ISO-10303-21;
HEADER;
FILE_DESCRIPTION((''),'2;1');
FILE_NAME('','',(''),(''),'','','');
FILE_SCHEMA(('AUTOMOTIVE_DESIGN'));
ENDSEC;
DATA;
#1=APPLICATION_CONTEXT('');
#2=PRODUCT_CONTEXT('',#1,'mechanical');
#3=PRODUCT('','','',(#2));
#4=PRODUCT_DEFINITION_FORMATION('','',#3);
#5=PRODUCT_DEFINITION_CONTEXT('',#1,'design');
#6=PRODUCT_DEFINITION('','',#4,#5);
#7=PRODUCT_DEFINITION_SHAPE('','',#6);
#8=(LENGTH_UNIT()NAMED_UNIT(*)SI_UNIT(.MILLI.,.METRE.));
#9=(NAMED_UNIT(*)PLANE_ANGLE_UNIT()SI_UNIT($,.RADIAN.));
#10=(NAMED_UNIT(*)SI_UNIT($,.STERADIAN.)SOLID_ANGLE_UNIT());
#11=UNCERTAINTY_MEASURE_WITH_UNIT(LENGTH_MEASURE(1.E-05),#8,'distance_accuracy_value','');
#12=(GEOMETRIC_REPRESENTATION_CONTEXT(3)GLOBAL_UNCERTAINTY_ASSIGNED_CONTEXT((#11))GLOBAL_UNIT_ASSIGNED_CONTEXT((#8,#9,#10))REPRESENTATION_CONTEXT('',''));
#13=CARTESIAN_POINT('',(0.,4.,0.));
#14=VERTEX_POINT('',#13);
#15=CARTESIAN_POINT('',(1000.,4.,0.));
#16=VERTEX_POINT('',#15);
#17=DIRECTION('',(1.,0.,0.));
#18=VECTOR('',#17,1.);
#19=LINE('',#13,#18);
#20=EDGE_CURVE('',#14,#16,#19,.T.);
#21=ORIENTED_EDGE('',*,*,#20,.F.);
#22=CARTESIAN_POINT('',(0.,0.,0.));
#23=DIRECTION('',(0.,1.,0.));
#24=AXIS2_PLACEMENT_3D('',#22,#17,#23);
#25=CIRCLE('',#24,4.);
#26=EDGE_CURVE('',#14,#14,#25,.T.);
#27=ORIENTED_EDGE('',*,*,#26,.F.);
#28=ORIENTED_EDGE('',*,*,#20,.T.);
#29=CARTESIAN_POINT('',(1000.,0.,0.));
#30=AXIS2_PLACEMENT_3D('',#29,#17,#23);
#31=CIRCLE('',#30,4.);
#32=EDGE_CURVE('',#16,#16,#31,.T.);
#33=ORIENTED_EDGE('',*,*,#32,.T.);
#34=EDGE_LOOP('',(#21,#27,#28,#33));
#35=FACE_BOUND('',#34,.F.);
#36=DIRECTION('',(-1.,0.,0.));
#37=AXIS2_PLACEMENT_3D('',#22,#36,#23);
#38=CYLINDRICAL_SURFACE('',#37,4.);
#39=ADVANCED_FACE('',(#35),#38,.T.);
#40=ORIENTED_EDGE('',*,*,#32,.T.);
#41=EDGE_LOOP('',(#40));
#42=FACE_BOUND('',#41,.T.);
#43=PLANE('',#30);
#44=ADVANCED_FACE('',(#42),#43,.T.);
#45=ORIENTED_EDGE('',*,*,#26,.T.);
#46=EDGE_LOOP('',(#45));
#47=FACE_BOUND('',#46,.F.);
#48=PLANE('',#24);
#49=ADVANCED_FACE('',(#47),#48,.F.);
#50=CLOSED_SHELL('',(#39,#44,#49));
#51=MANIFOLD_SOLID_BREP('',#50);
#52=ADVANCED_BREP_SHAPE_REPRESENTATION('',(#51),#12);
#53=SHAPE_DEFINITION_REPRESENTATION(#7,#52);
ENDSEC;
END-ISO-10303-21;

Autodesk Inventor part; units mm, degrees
ref_plane "YZ Plane" through (0, 0, 0) normal (1, 0, 0) x (0, 1, 0)
ref_plane "XZ Plane" through (0, 0, 0) normal (0, 1, 0) x (-1, 0, 0)
ref_plane "XY Plane" through (0, 0, 0) normal (0, 0, 1) x (1, 0, 0)
sketch "Sketch1" plane through (0, 0, 0) normal (1, 0, 0) x (0, 1, 0)
  circle A0 centre (0, 0) radius 4
  dimension "d0" = 8
extrude "Extrusion1" add sketch "Sketch1" along normal blind 1000
properties part number "threadedRodStandin"
